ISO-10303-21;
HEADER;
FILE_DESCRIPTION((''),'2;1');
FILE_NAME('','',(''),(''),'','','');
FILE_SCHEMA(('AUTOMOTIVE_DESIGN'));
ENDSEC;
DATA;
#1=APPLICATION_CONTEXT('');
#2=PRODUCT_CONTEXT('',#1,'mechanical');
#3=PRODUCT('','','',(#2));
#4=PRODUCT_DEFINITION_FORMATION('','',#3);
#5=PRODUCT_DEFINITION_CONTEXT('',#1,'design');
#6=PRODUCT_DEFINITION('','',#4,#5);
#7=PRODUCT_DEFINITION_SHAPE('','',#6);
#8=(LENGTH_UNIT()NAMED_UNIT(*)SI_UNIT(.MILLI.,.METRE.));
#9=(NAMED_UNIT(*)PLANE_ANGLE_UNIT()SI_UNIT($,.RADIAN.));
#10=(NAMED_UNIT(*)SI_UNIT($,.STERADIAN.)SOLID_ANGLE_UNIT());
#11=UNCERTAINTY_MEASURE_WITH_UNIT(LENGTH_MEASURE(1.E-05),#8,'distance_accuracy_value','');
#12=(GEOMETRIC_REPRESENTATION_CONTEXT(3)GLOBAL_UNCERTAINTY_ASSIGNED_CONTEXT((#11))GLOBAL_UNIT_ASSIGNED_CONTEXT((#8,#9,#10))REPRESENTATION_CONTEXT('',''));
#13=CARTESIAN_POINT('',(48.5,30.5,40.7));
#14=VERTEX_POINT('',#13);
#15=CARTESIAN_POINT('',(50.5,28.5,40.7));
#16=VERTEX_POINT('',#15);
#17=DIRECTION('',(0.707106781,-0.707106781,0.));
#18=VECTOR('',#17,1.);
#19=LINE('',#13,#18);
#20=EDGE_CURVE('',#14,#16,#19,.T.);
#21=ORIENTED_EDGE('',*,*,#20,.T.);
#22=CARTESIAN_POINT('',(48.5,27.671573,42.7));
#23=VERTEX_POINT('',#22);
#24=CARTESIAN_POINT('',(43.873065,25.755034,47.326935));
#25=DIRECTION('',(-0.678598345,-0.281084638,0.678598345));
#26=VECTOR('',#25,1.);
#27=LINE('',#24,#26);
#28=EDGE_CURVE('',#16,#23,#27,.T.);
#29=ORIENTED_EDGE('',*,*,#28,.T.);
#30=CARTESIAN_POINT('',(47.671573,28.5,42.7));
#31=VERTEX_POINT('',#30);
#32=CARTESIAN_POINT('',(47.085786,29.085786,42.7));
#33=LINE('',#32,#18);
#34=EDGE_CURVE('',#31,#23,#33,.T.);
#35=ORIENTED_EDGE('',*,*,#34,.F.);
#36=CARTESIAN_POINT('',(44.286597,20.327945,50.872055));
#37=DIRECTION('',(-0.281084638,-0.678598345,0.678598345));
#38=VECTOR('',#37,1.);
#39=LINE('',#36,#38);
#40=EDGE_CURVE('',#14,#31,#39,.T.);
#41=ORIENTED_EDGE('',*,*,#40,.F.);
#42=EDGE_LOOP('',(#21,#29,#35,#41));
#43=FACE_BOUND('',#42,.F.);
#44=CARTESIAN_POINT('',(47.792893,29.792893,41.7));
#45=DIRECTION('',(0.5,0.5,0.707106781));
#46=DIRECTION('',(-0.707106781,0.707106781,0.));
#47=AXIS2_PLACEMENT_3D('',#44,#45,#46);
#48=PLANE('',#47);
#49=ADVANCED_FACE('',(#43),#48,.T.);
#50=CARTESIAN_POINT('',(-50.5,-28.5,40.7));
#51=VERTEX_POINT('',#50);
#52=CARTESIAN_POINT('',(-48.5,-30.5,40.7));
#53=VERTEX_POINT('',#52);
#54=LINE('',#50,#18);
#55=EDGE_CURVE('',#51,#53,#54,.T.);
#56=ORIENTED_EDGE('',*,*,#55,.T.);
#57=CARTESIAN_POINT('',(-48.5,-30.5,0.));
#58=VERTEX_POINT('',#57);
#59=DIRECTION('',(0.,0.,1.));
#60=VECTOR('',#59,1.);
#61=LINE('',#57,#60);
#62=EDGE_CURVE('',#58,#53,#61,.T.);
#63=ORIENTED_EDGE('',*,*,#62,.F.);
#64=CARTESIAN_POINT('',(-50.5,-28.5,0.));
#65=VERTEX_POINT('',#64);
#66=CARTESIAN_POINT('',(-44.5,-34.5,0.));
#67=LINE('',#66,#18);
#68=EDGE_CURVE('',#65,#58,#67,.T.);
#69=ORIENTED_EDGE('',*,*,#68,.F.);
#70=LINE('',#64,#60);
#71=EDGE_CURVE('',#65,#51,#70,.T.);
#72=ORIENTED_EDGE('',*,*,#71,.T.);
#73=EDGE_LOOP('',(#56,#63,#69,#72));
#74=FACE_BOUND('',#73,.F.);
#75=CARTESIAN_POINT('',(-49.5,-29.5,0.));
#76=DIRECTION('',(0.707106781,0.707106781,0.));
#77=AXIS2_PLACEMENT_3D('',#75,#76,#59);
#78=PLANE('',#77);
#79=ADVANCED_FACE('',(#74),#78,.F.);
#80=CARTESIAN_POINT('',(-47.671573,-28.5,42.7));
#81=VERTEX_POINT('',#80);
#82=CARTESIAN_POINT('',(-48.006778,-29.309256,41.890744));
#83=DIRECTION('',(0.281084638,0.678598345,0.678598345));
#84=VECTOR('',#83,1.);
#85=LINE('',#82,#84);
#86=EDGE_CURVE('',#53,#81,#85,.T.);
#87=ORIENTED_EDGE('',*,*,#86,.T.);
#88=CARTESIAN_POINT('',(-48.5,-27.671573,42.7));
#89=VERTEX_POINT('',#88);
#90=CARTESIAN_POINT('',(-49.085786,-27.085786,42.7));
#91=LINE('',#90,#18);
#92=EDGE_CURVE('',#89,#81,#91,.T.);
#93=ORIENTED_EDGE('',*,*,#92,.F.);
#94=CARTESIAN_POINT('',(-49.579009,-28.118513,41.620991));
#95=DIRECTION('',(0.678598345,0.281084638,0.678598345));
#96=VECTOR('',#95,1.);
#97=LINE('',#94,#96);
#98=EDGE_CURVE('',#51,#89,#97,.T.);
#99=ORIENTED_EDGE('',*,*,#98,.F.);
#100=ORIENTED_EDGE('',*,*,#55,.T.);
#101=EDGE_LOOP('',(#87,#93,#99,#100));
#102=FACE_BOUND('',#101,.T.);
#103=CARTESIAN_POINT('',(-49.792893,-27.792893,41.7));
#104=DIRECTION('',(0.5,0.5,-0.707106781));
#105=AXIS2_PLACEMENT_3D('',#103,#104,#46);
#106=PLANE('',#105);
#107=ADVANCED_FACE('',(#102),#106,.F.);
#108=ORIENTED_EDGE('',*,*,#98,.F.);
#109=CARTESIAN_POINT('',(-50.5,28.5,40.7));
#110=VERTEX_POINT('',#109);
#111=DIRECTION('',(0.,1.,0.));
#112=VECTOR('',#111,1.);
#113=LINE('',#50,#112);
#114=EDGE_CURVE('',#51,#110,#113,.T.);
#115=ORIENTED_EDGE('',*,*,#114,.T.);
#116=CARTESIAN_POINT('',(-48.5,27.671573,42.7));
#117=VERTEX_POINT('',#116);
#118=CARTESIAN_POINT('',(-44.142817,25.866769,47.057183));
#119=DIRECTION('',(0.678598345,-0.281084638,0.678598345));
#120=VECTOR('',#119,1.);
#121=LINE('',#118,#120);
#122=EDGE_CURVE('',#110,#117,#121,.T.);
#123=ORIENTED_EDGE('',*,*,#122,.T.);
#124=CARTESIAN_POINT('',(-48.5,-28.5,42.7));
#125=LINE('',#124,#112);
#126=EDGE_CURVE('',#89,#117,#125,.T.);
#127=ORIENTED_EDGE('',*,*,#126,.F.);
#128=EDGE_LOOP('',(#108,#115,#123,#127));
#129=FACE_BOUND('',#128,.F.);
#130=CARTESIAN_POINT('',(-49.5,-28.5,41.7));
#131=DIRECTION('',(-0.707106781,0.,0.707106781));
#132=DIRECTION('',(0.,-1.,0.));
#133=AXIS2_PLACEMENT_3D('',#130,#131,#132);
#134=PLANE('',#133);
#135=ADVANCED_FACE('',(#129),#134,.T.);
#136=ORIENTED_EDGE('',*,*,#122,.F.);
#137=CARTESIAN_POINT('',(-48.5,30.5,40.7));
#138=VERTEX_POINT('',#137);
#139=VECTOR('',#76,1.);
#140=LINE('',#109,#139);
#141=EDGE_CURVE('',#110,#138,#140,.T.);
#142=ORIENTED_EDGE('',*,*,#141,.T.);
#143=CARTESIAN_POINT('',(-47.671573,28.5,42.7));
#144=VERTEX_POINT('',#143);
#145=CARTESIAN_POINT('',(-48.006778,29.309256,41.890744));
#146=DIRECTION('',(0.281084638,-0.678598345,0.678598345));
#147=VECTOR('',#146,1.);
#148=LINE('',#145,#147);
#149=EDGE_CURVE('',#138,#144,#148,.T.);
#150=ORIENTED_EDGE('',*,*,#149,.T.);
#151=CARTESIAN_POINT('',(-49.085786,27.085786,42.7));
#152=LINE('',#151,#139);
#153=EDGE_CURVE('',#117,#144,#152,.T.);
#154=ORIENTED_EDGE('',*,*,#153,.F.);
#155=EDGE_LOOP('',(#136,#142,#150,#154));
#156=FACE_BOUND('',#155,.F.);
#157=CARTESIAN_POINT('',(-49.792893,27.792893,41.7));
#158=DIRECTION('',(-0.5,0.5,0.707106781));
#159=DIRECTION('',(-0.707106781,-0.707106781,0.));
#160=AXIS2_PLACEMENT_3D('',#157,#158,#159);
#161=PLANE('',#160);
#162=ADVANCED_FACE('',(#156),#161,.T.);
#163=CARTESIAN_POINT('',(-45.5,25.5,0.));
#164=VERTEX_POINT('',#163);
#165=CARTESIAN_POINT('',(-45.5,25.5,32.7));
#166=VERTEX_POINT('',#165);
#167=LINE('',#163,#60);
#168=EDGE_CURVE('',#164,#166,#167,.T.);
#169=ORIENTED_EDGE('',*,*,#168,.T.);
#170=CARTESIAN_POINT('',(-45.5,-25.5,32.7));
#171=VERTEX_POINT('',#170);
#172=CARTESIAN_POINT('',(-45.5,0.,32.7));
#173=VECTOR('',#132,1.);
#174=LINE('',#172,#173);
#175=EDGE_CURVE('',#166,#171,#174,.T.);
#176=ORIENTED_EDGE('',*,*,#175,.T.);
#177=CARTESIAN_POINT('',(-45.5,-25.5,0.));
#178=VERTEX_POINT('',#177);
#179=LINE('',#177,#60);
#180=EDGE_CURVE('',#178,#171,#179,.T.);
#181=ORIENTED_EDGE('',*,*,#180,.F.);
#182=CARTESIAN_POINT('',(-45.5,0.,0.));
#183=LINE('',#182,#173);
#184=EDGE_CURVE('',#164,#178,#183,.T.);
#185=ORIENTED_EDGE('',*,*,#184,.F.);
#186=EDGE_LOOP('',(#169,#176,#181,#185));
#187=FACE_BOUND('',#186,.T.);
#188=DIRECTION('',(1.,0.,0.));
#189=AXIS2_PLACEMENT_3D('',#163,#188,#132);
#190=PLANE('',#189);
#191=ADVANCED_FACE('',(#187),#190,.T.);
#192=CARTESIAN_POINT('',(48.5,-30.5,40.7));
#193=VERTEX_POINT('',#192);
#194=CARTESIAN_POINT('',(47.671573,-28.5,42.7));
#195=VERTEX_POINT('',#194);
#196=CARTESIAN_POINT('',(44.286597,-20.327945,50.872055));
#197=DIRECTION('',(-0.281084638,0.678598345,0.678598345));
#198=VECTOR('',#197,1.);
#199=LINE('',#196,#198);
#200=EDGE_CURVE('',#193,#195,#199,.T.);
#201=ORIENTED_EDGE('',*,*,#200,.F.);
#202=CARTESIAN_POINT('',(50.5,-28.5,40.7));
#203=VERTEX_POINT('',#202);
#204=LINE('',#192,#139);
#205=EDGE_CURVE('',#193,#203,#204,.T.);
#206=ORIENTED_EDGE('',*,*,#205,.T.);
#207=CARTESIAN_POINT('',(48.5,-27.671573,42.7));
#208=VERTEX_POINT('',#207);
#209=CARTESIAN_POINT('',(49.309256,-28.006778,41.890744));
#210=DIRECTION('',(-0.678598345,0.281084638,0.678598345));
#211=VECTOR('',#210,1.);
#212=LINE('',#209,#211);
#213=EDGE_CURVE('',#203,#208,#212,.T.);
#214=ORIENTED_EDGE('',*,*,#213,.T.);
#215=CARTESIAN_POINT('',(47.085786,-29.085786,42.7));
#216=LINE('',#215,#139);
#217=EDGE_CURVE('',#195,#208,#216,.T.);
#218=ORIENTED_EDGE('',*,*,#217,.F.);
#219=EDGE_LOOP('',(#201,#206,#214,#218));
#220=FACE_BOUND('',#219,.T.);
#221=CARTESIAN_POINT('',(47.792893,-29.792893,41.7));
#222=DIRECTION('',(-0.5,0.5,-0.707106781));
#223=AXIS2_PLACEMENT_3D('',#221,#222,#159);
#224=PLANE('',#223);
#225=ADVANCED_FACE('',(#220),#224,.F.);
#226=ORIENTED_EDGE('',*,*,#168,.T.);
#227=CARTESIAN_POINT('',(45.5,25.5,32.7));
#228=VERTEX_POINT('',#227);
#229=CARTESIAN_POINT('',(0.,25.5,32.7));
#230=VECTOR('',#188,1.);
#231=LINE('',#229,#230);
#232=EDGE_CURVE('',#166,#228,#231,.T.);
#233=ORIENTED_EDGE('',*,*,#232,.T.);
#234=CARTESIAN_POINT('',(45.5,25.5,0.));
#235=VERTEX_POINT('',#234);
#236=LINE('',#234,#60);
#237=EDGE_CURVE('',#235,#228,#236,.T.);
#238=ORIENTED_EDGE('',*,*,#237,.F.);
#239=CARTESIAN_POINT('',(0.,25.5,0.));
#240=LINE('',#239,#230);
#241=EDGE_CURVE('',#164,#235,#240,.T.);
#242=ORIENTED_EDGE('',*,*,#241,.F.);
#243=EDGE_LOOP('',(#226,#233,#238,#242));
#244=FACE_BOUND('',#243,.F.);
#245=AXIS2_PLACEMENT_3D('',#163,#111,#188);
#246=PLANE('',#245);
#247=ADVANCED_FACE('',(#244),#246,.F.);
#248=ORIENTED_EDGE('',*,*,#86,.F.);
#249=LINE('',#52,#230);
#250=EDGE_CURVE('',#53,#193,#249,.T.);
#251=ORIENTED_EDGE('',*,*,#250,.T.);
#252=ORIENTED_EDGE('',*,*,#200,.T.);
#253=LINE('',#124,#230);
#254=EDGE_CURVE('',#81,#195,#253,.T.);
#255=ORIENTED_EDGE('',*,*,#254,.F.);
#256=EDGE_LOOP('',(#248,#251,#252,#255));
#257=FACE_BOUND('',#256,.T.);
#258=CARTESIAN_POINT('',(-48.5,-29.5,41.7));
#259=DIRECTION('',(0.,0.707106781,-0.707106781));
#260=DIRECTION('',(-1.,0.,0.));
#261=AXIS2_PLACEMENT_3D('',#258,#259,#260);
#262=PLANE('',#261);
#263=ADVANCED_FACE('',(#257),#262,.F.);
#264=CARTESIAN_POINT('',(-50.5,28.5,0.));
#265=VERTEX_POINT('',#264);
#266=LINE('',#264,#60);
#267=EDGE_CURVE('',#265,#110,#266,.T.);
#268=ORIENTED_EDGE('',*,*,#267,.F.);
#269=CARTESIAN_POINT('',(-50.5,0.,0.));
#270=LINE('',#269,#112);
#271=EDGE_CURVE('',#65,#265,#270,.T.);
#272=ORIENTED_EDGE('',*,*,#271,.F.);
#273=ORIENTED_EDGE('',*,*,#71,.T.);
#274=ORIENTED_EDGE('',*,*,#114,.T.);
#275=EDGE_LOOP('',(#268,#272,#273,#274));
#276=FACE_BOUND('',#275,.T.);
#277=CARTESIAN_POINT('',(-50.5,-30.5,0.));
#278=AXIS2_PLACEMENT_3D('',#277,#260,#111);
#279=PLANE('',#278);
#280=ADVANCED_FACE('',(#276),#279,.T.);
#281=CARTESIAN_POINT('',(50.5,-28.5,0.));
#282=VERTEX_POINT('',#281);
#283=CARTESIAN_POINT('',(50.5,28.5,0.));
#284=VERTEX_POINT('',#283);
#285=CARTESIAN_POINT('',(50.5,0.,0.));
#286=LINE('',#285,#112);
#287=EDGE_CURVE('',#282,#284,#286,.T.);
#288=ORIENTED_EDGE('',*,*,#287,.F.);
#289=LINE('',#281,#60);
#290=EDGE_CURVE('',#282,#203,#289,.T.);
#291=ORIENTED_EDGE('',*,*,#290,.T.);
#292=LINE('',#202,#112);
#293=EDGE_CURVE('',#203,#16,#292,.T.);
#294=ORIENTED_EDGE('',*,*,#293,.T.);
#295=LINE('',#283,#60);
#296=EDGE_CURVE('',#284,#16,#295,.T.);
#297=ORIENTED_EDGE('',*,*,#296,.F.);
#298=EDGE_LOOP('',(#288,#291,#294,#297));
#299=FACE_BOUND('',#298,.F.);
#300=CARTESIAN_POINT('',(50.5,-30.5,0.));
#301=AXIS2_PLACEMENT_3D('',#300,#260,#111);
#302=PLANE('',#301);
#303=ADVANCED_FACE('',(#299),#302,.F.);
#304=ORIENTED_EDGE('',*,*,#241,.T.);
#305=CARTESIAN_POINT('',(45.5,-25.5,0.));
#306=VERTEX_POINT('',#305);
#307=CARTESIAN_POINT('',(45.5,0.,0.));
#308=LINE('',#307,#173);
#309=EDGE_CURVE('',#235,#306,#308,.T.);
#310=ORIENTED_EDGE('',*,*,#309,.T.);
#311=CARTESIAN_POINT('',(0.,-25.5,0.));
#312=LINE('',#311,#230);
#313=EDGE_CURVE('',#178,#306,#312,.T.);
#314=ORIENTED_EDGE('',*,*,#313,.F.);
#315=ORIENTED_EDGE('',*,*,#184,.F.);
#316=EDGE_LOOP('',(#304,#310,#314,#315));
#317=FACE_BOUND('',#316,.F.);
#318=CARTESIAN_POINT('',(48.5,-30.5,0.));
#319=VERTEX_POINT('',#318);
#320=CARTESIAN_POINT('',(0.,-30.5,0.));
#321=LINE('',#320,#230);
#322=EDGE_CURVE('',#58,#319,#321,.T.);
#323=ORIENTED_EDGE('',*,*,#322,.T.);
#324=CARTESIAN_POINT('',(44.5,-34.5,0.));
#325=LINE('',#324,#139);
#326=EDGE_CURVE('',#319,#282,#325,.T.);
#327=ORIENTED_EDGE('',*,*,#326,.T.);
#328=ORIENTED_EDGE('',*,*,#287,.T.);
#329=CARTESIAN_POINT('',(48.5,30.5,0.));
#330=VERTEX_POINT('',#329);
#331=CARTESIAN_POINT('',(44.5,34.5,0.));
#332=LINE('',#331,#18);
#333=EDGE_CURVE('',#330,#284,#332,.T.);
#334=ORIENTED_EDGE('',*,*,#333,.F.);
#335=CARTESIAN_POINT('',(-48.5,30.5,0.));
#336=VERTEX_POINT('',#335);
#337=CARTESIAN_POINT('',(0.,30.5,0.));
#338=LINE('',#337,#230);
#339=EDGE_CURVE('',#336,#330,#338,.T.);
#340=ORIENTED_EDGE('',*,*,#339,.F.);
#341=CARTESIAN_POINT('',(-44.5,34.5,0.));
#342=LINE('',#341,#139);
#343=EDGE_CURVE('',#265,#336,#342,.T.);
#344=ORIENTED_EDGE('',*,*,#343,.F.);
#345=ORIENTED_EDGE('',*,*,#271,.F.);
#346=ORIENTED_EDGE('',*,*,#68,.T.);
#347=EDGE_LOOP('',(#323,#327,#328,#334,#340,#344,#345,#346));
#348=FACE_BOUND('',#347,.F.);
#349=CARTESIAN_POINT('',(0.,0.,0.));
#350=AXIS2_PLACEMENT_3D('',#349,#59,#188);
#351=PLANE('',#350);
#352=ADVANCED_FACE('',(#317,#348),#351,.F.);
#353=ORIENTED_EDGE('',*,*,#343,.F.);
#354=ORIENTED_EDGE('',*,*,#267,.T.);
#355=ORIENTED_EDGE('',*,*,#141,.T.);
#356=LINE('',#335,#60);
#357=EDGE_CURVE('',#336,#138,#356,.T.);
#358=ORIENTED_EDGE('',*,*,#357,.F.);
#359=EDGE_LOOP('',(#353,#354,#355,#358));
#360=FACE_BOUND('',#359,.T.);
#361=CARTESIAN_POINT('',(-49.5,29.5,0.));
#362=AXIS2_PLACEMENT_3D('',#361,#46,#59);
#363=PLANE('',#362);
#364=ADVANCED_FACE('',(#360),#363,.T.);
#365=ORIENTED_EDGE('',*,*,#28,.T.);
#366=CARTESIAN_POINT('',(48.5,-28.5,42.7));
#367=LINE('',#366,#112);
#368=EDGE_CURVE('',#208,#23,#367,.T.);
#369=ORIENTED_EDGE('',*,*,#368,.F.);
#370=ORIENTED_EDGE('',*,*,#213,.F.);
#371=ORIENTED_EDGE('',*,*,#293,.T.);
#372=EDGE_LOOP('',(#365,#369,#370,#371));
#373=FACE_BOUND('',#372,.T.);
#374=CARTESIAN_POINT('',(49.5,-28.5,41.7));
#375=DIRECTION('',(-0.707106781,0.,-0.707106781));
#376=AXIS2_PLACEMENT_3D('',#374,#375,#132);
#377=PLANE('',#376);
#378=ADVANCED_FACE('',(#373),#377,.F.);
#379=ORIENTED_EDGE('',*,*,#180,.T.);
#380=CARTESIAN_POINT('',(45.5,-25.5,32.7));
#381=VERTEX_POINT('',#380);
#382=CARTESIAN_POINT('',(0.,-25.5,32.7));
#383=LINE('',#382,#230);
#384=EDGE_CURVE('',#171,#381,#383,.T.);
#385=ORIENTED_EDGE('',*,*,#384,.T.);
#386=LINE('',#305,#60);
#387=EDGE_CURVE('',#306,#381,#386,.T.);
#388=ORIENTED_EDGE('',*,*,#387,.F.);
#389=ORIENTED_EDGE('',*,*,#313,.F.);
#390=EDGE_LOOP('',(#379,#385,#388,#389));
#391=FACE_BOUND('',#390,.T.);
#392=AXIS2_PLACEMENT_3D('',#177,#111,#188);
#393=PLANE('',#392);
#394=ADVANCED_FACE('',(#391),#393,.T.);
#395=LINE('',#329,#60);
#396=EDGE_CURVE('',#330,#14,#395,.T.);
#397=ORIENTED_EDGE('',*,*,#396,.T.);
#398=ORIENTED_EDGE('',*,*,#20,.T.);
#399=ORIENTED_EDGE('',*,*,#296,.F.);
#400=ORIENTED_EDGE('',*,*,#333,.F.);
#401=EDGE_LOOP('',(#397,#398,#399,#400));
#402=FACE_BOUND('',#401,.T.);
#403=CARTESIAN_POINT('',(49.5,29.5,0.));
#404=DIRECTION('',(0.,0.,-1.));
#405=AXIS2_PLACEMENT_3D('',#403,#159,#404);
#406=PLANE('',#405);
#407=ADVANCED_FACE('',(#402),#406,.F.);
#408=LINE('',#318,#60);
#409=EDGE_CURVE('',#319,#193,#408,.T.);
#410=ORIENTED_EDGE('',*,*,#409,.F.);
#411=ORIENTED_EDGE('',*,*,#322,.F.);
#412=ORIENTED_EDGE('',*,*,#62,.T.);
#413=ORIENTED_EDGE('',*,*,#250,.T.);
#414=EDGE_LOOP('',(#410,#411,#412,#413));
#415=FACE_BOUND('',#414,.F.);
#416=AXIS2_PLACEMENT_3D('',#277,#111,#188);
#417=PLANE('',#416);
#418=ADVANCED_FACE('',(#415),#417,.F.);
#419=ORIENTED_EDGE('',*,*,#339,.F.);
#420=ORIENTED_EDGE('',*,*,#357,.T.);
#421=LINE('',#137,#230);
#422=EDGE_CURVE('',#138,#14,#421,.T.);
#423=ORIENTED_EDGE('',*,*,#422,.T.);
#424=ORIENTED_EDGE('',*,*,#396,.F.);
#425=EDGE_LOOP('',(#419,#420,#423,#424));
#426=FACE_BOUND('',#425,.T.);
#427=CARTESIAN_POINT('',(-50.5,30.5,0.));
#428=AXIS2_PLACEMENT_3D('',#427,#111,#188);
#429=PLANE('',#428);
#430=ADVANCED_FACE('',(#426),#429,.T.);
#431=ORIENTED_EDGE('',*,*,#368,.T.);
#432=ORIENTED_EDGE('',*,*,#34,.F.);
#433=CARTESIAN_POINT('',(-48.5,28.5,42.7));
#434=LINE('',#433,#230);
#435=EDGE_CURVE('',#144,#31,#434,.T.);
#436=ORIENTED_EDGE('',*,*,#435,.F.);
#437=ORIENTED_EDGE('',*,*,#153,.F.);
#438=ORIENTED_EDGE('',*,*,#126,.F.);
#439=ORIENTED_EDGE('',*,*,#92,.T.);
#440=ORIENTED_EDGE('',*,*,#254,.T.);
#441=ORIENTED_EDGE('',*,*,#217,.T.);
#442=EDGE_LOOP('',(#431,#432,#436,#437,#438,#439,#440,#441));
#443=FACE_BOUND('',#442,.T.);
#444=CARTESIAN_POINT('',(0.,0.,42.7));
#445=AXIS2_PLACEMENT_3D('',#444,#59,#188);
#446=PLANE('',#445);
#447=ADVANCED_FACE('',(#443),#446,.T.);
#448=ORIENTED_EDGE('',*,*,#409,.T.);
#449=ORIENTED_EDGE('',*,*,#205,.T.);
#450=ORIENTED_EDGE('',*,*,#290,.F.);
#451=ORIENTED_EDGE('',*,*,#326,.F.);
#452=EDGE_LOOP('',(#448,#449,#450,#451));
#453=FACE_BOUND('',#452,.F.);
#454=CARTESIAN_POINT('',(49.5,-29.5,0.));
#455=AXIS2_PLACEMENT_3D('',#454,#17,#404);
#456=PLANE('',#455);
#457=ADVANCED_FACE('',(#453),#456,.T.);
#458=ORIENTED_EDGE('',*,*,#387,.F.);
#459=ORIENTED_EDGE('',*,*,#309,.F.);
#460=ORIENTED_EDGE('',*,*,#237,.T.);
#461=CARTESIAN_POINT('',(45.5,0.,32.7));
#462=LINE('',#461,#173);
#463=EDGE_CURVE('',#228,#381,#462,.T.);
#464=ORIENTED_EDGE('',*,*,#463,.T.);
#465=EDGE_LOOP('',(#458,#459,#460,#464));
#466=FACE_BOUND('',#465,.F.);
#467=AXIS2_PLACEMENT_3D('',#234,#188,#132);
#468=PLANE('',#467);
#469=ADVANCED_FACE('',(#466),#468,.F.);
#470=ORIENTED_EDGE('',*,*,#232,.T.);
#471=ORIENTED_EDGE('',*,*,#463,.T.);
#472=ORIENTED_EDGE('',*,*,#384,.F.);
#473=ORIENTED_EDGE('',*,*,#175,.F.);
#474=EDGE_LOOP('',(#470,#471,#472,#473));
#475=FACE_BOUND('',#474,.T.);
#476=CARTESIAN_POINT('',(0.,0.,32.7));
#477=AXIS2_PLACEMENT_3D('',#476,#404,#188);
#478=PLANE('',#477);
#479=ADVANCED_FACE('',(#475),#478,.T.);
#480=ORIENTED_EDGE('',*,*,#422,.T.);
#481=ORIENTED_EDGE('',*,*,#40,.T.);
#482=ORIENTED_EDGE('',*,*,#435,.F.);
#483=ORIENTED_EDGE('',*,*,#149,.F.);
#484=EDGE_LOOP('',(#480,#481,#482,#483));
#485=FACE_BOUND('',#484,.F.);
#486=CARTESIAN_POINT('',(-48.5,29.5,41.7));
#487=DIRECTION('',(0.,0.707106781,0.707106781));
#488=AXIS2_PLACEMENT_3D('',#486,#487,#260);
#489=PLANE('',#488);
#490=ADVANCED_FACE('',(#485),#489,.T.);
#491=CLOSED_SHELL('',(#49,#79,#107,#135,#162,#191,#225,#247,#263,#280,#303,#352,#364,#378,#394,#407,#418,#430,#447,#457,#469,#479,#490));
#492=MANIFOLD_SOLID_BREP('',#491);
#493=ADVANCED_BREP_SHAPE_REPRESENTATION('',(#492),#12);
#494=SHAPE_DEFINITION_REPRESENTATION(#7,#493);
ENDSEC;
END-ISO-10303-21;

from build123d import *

# Parameters (mm, degrees)
SKETCH_W        = 101
SKETCH_H        = 61
PAD_DEPTH       = 42.7
SKETCH001_W     = 91
SKETCH001_H     = 51
POCKET_DEPTH    = 32.7
CHAMFER_SIZE    = 2
CHAMFER001_SIZE = 2
CHAMFER002_SIZE = 2
CHAMFER003_SIZE = 2


with BuildPart() as part:
    # Sketch → Pad (new body)
    with BuildSketch(Plane.XY):
        Rectangle(SKETCH_W, SKETCH_H)
    extrude(amount=PAD_DEPTH)

    # Sketch001 (on Face5 of Pad) → Pocket (cut)
    with BuildSketch(Plane(origin=(0, 0, 0), x_dir=(1, 0, 0), z_dir=(0, 0, -1))):
        Rectangle(SKETCH001_W, SKETCH001_H)
    extrude(amount=-POCKET_DEPTH, mode=Mode.SUBTRACT)

    # Chamfer
    chamfer_edges = [part.edges().sort_by_distance(p)[0] for p in [
        (-50.5, -30.5, 21.35),
    ]]
    chamfer(chamfer_edges, length=CHAMFER_SIZE)

    # Chamfer001
    chamfer001_edges = [part.edges().sort_by_distance(p)[0] for p in [
        (-50.5, 30.5, 21.35),
    ]]
    chamfer(chamfer001_edges, length=CHAMFER001_SIZE)

    # Chamfer002
    chamfer002_edges = [part.edges().sort_by_distance(p)[0] for p in [
        (50.5, 30.5, 21.35),
        (50.5, -30.5, 21.35),
    ]]
    chamfer(chamfer002_edges, length=CHAMFER002_SIZE)

    # Chamfer003
    chamfer003_edges = [part.edges().sort_by_distance(p)[0] for p in [
        (0, 30.5, 42.7),
        (49.5, 29.5, 42.7),
        (-49.5, 29.5, 42.7),
        (50.5, 0, 42.7),
        (-50.5, 0, 42.7),
        (49.5, -29.5, 42.7),
        (-49.5, -29.5, 42.7),
        (0, -30.5, 42.7),
    ]]
    chamfer(chamfer003_edges, length=CHAMFER003_SIZE)


solid = part.part
